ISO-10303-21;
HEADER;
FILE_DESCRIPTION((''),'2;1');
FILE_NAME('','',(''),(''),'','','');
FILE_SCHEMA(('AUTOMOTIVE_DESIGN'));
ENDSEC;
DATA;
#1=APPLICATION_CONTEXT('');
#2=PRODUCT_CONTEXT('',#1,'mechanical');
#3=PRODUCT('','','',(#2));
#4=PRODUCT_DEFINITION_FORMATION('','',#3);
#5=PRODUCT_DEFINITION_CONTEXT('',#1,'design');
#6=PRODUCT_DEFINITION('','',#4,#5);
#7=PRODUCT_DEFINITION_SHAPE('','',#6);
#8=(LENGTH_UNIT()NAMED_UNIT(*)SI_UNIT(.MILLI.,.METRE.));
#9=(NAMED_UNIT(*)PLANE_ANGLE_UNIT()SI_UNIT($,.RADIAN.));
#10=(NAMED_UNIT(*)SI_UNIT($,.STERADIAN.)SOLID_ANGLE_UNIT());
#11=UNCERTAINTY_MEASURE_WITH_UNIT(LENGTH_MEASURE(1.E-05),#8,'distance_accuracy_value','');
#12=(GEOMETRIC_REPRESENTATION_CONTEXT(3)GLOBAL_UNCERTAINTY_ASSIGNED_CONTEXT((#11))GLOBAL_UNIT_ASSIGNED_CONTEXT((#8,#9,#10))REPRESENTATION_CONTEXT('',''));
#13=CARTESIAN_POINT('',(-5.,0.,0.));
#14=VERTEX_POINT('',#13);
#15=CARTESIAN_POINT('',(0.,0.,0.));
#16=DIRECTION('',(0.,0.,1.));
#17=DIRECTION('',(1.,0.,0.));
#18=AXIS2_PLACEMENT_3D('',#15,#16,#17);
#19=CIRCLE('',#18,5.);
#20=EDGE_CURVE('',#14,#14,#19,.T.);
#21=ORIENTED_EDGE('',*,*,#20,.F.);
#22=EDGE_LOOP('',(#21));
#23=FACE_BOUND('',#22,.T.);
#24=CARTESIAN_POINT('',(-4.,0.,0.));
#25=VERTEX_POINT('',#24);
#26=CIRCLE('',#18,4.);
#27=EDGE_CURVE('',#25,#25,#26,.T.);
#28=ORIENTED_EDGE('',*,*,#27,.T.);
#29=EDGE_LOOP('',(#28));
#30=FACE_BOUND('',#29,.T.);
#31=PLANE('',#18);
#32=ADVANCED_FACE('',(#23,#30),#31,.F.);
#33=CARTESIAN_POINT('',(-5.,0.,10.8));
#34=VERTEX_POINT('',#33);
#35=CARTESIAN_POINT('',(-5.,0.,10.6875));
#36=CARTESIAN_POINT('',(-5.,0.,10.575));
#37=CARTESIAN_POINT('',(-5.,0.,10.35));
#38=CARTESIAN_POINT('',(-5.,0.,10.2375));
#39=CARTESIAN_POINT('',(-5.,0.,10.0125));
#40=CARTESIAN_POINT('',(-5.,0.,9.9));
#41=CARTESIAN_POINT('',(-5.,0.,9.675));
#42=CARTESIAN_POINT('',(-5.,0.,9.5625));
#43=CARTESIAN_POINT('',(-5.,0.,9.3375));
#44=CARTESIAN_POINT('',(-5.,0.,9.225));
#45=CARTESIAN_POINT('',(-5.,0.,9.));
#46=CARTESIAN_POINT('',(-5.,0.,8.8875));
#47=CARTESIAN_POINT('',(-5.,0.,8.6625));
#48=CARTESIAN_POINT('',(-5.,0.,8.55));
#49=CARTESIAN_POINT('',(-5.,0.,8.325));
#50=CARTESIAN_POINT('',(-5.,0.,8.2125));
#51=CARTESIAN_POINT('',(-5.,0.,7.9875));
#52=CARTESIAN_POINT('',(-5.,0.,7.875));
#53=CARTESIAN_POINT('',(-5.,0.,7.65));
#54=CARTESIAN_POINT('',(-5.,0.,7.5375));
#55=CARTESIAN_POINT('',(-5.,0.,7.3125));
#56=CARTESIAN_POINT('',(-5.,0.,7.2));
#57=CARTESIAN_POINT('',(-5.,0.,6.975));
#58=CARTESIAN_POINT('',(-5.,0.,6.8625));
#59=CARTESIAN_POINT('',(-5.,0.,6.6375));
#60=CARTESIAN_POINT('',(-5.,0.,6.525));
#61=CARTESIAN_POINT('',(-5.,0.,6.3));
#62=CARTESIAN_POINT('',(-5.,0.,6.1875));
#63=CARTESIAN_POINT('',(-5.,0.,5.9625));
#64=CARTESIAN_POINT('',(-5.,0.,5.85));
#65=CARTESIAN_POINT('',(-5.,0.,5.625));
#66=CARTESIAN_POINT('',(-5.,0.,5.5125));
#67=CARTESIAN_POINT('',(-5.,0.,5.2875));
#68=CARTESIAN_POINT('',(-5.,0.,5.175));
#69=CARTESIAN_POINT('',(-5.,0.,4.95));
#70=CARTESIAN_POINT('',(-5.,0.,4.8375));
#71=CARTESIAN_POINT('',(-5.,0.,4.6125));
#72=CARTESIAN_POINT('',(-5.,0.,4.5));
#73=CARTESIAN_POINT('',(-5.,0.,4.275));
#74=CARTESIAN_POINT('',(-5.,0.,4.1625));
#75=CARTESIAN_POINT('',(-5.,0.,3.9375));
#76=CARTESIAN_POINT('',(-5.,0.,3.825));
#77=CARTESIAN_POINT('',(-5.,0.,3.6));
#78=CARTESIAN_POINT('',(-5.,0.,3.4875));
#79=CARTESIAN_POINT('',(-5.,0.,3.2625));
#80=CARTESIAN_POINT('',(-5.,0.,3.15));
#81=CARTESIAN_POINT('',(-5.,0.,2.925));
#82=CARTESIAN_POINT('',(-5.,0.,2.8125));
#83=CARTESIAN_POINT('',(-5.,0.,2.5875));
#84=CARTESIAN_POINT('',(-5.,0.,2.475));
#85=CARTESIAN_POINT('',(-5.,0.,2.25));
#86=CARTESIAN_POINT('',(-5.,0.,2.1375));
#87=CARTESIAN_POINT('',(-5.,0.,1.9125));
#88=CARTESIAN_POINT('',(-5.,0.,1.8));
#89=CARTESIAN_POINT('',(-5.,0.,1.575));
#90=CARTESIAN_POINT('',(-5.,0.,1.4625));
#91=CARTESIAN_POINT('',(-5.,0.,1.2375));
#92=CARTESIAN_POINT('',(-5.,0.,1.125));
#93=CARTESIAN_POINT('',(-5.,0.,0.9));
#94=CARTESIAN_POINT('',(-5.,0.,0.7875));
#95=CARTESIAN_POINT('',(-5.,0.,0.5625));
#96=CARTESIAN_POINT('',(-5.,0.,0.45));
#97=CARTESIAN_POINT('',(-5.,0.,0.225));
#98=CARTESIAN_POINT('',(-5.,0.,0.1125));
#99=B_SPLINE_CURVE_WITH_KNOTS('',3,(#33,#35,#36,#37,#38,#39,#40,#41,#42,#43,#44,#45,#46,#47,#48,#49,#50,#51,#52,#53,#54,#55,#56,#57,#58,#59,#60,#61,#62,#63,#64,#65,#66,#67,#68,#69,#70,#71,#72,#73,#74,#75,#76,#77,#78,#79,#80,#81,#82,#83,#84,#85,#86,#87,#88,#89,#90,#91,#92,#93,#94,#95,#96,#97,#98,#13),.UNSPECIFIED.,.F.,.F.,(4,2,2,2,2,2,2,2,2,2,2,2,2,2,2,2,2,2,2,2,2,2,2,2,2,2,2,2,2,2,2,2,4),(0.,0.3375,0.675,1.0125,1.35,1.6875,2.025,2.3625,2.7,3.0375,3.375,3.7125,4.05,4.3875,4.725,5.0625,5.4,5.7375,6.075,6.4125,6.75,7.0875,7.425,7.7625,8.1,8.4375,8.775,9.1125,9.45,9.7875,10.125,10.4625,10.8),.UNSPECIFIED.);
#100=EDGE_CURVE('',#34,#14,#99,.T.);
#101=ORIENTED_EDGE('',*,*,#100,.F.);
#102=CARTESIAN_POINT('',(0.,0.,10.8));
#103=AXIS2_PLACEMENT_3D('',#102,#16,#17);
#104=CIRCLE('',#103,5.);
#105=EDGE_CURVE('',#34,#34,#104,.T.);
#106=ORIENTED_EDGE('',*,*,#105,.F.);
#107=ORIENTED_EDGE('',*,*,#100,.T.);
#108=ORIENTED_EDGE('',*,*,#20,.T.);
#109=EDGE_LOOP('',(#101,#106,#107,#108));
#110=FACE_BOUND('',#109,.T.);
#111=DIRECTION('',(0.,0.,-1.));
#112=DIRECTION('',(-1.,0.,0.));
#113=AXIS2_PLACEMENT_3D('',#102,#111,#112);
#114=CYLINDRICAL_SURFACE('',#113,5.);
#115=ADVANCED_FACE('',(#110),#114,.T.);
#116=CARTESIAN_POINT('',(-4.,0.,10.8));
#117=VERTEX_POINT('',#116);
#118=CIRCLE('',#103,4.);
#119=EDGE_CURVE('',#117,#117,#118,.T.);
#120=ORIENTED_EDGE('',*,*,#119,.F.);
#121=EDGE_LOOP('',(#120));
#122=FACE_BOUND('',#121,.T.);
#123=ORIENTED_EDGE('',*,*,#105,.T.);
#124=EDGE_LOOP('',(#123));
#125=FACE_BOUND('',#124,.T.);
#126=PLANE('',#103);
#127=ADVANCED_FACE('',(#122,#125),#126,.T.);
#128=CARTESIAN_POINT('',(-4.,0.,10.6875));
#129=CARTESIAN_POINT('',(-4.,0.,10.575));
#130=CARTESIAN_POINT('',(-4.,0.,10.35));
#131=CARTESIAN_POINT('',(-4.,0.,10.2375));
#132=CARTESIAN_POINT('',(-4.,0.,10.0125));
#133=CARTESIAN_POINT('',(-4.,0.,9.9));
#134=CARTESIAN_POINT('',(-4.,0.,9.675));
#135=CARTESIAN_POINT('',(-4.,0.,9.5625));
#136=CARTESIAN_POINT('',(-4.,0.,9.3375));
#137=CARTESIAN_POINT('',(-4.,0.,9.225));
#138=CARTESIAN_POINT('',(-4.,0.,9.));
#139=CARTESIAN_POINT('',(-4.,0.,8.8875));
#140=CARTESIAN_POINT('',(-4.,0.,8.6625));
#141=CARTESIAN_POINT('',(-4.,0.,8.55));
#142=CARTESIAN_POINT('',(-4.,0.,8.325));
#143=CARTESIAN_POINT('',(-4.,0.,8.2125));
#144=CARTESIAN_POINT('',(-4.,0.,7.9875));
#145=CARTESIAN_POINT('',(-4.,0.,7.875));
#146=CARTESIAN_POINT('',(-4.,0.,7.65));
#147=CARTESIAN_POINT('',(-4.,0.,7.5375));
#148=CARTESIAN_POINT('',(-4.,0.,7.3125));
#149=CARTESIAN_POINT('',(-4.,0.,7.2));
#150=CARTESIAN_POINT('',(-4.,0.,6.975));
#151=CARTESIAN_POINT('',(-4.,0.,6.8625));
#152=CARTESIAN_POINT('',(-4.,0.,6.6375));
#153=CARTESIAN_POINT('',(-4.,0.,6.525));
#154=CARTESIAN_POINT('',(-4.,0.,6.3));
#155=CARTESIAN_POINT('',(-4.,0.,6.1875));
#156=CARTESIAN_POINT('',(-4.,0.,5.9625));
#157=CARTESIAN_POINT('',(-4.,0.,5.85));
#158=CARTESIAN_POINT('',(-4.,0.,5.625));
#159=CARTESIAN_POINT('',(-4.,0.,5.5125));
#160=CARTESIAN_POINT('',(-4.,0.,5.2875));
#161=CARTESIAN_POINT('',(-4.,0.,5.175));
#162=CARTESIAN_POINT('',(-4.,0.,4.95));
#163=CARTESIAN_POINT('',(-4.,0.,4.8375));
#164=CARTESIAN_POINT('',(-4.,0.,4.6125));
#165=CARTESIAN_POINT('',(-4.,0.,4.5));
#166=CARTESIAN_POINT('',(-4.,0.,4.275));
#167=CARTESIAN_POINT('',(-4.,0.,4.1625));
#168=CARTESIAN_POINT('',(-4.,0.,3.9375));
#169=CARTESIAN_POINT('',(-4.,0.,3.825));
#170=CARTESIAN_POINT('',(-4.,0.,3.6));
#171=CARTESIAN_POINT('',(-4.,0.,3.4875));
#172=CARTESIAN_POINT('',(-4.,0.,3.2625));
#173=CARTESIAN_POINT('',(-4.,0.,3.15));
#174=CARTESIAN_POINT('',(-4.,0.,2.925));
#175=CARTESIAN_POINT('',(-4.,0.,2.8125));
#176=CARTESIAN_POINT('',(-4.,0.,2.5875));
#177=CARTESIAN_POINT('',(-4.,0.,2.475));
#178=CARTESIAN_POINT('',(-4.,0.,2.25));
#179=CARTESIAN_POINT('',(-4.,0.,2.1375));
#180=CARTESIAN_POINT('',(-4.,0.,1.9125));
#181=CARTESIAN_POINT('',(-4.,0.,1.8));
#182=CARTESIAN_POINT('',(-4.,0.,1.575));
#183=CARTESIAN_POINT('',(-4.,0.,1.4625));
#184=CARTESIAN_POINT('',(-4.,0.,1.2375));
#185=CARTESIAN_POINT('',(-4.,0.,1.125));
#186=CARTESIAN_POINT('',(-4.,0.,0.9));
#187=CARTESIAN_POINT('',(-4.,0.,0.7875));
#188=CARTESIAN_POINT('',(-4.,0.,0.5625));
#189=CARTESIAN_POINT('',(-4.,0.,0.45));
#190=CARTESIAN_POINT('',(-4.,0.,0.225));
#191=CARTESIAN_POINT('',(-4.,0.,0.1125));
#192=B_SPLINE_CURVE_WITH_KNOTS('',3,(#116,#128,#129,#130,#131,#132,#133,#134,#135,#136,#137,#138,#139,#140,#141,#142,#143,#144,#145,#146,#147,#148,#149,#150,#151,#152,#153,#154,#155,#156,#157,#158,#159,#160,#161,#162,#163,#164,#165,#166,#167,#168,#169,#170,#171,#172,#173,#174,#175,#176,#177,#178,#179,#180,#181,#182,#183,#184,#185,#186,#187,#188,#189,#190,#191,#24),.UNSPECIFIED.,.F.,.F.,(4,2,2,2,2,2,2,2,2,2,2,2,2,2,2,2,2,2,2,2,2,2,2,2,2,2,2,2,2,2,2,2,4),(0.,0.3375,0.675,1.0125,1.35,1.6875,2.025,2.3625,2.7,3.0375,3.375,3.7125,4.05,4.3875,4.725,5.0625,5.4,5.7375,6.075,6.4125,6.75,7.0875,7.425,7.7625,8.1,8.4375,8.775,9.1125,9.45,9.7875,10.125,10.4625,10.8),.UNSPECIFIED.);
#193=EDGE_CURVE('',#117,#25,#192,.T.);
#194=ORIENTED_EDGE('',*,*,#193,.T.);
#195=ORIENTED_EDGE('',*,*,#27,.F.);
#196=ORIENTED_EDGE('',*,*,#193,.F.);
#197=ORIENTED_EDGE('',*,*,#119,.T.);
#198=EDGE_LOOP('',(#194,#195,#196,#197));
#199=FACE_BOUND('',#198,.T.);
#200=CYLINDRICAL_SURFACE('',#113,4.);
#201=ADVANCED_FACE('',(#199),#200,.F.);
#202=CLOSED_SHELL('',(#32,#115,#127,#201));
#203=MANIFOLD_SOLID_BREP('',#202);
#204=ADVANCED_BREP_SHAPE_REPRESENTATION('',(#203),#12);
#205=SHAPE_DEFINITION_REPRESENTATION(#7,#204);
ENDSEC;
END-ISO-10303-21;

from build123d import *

# Parameters (mm, degrees)
SKETCH_1_R      = 5
SKETCH_1_R_2    = 4
EXTRUDE_1_DEPTH = 10.8


with BuildPart() as part:
    # ｽｹｯﾁ1 → ﾎﾞｽ - 押し出し1 (new body)
    with BuildSketch(Plane.XY):
        with Locations(Location((0, 0, 0), (0, 0, 180))):
            Circle(SKETCH_1_R)
        with Locations(Location((0, 0, 0), (0, 0, 180))):
            Circle(SKETCH_1_R_2, mode=Mode.SUBTRACT)
    extrude(amount=EXTRUDE_1_DEPTH)


solid = part.part
